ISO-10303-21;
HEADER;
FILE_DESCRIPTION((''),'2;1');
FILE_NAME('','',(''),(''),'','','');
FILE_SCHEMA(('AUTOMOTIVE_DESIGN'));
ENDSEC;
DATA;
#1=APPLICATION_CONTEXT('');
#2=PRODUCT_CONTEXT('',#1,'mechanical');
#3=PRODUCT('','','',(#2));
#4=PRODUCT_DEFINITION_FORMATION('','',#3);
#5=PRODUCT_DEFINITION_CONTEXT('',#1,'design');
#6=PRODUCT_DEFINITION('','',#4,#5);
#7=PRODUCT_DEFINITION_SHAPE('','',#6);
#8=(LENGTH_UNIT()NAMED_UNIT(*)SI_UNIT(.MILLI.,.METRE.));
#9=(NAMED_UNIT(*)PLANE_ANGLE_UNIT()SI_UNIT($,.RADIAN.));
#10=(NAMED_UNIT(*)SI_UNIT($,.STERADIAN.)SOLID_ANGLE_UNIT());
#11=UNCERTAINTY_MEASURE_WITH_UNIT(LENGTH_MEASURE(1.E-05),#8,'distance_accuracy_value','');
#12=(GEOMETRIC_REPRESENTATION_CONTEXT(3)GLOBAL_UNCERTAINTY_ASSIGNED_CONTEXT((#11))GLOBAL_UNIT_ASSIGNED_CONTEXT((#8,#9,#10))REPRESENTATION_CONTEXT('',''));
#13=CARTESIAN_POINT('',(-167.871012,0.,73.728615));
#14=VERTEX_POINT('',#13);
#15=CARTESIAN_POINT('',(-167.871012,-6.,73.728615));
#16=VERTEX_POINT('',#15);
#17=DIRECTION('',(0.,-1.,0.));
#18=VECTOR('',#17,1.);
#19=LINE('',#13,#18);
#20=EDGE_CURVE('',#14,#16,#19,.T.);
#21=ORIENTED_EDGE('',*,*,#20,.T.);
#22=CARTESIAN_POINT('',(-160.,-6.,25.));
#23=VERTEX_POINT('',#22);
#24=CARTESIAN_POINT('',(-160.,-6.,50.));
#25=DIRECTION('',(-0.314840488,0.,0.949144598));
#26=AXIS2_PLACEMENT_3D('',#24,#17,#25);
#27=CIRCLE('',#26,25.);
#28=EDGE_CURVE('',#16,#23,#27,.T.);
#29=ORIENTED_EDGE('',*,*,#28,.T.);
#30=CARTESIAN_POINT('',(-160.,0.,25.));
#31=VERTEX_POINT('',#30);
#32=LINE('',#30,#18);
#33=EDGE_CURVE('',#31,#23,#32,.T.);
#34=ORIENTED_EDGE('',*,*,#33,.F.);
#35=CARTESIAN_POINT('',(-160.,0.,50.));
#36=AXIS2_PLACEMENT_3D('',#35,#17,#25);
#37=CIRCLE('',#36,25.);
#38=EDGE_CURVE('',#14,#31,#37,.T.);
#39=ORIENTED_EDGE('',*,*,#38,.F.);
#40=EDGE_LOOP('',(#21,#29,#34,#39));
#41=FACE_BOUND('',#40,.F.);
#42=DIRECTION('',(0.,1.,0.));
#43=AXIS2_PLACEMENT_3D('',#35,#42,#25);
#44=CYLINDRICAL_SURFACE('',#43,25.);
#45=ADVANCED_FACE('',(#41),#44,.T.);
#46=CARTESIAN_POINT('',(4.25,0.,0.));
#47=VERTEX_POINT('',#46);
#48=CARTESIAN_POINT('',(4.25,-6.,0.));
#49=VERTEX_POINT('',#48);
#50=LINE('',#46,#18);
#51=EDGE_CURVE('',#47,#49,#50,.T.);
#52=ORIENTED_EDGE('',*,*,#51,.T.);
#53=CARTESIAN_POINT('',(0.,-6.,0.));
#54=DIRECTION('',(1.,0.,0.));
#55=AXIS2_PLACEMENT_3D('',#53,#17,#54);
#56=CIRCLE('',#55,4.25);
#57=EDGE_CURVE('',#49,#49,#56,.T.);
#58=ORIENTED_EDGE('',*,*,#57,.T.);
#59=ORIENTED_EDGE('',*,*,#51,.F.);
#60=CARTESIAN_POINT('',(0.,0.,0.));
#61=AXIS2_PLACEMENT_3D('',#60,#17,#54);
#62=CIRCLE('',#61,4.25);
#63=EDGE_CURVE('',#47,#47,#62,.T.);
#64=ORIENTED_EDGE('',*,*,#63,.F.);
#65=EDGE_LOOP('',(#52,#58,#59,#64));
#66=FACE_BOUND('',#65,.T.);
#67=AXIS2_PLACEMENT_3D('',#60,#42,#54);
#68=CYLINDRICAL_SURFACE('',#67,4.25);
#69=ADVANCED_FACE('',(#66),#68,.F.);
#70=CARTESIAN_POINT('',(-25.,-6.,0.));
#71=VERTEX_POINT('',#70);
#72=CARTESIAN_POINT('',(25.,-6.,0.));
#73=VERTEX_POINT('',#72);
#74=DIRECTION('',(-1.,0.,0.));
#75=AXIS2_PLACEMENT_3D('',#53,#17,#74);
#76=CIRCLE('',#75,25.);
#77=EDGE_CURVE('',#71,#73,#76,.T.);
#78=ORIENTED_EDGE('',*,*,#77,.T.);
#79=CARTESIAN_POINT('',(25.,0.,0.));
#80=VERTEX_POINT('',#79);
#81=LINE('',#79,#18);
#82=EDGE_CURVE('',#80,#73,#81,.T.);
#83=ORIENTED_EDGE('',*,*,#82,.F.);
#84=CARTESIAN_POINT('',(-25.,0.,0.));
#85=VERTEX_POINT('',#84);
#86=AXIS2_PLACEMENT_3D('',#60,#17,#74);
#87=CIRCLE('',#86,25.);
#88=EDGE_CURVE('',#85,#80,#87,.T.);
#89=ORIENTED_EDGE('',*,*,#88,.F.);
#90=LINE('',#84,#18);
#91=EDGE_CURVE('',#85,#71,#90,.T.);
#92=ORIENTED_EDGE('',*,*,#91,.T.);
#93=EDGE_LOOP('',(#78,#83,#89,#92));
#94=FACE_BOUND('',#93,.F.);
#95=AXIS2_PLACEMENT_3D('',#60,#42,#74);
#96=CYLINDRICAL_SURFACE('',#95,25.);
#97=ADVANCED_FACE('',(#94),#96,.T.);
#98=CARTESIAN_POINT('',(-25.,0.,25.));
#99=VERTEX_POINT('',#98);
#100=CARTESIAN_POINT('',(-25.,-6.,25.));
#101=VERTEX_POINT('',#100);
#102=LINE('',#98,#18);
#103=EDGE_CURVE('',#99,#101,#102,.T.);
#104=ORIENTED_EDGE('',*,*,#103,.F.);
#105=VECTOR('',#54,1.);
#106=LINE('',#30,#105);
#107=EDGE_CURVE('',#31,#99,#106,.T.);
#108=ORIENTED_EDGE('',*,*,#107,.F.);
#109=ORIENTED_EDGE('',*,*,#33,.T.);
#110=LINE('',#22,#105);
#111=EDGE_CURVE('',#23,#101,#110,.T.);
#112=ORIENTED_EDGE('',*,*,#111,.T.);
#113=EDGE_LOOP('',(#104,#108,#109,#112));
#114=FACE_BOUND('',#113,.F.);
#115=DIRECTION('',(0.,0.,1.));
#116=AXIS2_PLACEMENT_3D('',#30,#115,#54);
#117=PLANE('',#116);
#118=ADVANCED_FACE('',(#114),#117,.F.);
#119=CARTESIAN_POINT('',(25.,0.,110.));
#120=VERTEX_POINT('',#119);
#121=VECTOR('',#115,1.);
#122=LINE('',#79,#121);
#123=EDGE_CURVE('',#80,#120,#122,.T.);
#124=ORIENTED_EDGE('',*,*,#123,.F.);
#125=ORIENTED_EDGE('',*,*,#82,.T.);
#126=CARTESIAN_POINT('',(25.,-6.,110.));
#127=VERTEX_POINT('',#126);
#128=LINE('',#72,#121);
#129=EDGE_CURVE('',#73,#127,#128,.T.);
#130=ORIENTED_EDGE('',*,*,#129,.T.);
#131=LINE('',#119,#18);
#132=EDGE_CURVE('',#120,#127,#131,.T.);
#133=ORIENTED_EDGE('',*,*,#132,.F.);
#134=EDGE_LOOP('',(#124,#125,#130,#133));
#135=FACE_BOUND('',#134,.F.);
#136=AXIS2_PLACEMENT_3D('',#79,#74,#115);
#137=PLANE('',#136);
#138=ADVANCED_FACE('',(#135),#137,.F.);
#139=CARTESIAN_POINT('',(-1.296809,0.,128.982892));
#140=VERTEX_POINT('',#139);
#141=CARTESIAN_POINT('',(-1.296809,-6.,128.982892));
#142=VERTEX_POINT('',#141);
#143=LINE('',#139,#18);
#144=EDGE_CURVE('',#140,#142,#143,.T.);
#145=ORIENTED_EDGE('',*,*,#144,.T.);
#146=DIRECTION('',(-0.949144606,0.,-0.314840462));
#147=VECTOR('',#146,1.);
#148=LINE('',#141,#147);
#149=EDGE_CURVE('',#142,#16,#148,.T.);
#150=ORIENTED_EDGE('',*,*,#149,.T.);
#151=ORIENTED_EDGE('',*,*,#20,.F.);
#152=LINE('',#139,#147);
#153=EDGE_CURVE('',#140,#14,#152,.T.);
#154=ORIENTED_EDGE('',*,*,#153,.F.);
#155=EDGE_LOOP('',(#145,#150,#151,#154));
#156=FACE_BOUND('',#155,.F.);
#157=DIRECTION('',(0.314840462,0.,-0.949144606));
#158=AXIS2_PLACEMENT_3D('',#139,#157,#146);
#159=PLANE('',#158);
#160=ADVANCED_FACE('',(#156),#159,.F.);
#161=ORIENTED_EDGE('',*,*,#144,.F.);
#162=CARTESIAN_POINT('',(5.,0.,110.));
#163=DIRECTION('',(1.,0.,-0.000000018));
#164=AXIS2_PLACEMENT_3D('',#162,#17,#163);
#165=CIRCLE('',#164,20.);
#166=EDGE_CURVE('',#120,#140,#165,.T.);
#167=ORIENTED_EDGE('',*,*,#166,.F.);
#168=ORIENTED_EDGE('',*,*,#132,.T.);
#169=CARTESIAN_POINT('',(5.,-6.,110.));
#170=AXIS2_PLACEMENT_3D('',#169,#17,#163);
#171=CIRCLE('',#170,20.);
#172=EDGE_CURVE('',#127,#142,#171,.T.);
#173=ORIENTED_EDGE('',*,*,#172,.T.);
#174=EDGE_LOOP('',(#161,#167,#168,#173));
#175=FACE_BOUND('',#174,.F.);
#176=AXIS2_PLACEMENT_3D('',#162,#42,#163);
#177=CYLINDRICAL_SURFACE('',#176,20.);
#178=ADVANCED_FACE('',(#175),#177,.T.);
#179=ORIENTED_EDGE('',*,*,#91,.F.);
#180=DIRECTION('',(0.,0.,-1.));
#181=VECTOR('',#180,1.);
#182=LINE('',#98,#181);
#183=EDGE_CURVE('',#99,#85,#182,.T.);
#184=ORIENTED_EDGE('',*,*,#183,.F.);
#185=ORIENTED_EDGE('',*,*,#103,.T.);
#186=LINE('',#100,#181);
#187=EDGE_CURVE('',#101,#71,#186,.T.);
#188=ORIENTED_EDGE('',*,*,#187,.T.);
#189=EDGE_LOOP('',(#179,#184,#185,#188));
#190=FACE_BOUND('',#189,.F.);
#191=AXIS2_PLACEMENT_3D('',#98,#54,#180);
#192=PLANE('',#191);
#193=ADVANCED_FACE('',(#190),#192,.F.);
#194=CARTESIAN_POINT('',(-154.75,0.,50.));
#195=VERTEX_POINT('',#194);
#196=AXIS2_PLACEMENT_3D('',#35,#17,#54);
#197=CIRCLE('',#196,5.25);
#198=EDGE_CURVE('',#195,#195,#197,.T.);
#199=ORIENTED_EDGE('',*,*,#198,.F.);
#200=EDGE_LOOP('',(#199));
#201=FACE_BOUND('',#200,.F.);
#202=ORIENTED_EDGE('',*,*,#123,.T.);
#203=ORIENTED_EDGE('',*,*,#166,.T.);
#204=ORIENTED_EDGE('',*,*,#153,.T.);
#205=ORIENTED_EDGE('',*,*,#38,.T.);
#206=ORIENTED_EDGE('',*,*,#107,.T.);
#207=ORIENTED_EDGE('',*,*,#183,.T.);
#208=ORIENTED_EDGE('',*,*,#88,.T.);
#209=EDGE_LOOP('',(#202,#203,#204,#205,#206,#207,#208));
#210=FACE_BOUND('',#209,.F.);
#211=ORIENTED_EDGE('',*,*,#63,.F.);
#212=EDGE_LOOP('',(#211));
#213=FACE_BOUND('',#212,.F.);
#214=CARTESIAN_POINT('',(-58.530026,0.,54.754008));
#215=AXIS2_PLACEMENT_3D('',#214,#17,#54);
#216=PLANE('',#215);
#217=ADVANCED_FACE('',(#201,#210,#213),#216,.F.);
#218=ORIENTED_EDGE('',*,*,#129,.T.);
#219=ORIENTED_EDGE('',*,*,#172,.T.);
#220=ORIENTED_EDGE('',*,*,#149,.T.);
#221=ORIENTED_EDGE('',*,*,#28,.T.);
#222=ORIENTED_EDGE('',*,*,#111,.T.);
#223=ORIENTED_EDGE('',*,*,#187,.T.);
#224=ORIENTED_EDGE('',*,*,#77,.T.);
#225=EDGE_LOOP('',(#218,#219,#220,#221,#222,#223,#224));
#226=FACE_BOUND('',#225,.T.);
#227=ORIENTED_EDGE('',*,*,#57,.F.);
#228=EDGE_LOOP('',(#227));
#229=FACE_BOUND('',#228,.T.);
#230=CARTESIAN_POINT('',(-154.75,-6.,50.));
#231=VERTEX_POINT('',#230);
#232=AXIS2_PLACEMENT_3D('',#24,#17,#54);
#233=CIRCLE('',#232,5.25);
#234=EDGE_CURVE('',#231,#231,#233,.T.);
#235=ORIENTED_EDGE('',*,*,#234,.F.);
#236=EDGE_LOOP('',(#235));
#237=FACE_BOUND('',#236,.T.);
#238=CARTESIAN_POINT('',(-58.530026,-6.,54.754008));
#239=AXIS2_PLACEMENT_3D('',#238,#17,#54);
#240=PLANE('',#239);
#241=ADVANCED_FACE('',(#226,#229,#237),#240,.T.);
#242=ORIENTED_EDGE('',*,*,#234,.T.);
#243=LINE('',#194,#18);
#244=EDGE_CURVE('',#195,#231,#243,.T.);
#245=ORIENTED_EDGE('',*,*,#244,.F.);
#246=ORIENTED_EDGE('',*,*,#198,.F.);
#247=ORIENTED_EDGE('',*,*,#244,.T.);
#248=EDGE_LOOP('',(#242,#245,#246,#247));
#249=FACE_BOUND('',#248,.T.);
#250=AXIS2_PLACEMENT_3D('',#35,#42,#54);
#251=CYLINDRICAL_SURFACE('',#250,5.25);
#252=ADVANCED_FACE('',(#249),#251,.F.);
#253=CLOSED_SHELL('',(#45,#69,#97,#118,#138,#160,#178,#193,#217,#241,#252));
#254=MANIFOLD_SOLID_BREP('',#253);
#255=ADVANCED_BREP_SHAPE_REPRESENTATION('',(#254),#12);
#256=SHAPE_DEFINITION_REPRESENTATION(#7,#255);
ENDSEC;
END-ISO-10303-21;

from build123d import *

# Parameters (mm, degrees)
F0_R     = 5.25
F0_R_2   = 4.25
F1_DEPTH = 6


with BuildPart() as f1:
    # F0 (on Front) → F1 (new body)
    with BuildSketch(Plane.XZ):
        with BuildLine():
            Line((-25, 25), (-25, 0))
            ThreePointArc((-25, 0), (0, -25), (25, 0))
            Line((25, 0), (25, 110))
            ThreePointArc((25, 110), (16.706063, 126.216291), (-1.296809, 128.982892))
            Line((-1.296809, 128.982892), (-167.871012, 73.728615))
            ThreePointArc((-167.871012, 73.728615), (-184.680107, 46.013484), (-160, 25))
            Line((-160, 25), (-25, 25))
        make_face()
        with Locations((-160, 50)):
            Circle(F0_R, mode=Mode.SUBTRACT)
        Circle(F0_R_2, mode=Mode.SUBTRACT)
    extrude(amount=F1_DEPTH)


solid = f1.part
